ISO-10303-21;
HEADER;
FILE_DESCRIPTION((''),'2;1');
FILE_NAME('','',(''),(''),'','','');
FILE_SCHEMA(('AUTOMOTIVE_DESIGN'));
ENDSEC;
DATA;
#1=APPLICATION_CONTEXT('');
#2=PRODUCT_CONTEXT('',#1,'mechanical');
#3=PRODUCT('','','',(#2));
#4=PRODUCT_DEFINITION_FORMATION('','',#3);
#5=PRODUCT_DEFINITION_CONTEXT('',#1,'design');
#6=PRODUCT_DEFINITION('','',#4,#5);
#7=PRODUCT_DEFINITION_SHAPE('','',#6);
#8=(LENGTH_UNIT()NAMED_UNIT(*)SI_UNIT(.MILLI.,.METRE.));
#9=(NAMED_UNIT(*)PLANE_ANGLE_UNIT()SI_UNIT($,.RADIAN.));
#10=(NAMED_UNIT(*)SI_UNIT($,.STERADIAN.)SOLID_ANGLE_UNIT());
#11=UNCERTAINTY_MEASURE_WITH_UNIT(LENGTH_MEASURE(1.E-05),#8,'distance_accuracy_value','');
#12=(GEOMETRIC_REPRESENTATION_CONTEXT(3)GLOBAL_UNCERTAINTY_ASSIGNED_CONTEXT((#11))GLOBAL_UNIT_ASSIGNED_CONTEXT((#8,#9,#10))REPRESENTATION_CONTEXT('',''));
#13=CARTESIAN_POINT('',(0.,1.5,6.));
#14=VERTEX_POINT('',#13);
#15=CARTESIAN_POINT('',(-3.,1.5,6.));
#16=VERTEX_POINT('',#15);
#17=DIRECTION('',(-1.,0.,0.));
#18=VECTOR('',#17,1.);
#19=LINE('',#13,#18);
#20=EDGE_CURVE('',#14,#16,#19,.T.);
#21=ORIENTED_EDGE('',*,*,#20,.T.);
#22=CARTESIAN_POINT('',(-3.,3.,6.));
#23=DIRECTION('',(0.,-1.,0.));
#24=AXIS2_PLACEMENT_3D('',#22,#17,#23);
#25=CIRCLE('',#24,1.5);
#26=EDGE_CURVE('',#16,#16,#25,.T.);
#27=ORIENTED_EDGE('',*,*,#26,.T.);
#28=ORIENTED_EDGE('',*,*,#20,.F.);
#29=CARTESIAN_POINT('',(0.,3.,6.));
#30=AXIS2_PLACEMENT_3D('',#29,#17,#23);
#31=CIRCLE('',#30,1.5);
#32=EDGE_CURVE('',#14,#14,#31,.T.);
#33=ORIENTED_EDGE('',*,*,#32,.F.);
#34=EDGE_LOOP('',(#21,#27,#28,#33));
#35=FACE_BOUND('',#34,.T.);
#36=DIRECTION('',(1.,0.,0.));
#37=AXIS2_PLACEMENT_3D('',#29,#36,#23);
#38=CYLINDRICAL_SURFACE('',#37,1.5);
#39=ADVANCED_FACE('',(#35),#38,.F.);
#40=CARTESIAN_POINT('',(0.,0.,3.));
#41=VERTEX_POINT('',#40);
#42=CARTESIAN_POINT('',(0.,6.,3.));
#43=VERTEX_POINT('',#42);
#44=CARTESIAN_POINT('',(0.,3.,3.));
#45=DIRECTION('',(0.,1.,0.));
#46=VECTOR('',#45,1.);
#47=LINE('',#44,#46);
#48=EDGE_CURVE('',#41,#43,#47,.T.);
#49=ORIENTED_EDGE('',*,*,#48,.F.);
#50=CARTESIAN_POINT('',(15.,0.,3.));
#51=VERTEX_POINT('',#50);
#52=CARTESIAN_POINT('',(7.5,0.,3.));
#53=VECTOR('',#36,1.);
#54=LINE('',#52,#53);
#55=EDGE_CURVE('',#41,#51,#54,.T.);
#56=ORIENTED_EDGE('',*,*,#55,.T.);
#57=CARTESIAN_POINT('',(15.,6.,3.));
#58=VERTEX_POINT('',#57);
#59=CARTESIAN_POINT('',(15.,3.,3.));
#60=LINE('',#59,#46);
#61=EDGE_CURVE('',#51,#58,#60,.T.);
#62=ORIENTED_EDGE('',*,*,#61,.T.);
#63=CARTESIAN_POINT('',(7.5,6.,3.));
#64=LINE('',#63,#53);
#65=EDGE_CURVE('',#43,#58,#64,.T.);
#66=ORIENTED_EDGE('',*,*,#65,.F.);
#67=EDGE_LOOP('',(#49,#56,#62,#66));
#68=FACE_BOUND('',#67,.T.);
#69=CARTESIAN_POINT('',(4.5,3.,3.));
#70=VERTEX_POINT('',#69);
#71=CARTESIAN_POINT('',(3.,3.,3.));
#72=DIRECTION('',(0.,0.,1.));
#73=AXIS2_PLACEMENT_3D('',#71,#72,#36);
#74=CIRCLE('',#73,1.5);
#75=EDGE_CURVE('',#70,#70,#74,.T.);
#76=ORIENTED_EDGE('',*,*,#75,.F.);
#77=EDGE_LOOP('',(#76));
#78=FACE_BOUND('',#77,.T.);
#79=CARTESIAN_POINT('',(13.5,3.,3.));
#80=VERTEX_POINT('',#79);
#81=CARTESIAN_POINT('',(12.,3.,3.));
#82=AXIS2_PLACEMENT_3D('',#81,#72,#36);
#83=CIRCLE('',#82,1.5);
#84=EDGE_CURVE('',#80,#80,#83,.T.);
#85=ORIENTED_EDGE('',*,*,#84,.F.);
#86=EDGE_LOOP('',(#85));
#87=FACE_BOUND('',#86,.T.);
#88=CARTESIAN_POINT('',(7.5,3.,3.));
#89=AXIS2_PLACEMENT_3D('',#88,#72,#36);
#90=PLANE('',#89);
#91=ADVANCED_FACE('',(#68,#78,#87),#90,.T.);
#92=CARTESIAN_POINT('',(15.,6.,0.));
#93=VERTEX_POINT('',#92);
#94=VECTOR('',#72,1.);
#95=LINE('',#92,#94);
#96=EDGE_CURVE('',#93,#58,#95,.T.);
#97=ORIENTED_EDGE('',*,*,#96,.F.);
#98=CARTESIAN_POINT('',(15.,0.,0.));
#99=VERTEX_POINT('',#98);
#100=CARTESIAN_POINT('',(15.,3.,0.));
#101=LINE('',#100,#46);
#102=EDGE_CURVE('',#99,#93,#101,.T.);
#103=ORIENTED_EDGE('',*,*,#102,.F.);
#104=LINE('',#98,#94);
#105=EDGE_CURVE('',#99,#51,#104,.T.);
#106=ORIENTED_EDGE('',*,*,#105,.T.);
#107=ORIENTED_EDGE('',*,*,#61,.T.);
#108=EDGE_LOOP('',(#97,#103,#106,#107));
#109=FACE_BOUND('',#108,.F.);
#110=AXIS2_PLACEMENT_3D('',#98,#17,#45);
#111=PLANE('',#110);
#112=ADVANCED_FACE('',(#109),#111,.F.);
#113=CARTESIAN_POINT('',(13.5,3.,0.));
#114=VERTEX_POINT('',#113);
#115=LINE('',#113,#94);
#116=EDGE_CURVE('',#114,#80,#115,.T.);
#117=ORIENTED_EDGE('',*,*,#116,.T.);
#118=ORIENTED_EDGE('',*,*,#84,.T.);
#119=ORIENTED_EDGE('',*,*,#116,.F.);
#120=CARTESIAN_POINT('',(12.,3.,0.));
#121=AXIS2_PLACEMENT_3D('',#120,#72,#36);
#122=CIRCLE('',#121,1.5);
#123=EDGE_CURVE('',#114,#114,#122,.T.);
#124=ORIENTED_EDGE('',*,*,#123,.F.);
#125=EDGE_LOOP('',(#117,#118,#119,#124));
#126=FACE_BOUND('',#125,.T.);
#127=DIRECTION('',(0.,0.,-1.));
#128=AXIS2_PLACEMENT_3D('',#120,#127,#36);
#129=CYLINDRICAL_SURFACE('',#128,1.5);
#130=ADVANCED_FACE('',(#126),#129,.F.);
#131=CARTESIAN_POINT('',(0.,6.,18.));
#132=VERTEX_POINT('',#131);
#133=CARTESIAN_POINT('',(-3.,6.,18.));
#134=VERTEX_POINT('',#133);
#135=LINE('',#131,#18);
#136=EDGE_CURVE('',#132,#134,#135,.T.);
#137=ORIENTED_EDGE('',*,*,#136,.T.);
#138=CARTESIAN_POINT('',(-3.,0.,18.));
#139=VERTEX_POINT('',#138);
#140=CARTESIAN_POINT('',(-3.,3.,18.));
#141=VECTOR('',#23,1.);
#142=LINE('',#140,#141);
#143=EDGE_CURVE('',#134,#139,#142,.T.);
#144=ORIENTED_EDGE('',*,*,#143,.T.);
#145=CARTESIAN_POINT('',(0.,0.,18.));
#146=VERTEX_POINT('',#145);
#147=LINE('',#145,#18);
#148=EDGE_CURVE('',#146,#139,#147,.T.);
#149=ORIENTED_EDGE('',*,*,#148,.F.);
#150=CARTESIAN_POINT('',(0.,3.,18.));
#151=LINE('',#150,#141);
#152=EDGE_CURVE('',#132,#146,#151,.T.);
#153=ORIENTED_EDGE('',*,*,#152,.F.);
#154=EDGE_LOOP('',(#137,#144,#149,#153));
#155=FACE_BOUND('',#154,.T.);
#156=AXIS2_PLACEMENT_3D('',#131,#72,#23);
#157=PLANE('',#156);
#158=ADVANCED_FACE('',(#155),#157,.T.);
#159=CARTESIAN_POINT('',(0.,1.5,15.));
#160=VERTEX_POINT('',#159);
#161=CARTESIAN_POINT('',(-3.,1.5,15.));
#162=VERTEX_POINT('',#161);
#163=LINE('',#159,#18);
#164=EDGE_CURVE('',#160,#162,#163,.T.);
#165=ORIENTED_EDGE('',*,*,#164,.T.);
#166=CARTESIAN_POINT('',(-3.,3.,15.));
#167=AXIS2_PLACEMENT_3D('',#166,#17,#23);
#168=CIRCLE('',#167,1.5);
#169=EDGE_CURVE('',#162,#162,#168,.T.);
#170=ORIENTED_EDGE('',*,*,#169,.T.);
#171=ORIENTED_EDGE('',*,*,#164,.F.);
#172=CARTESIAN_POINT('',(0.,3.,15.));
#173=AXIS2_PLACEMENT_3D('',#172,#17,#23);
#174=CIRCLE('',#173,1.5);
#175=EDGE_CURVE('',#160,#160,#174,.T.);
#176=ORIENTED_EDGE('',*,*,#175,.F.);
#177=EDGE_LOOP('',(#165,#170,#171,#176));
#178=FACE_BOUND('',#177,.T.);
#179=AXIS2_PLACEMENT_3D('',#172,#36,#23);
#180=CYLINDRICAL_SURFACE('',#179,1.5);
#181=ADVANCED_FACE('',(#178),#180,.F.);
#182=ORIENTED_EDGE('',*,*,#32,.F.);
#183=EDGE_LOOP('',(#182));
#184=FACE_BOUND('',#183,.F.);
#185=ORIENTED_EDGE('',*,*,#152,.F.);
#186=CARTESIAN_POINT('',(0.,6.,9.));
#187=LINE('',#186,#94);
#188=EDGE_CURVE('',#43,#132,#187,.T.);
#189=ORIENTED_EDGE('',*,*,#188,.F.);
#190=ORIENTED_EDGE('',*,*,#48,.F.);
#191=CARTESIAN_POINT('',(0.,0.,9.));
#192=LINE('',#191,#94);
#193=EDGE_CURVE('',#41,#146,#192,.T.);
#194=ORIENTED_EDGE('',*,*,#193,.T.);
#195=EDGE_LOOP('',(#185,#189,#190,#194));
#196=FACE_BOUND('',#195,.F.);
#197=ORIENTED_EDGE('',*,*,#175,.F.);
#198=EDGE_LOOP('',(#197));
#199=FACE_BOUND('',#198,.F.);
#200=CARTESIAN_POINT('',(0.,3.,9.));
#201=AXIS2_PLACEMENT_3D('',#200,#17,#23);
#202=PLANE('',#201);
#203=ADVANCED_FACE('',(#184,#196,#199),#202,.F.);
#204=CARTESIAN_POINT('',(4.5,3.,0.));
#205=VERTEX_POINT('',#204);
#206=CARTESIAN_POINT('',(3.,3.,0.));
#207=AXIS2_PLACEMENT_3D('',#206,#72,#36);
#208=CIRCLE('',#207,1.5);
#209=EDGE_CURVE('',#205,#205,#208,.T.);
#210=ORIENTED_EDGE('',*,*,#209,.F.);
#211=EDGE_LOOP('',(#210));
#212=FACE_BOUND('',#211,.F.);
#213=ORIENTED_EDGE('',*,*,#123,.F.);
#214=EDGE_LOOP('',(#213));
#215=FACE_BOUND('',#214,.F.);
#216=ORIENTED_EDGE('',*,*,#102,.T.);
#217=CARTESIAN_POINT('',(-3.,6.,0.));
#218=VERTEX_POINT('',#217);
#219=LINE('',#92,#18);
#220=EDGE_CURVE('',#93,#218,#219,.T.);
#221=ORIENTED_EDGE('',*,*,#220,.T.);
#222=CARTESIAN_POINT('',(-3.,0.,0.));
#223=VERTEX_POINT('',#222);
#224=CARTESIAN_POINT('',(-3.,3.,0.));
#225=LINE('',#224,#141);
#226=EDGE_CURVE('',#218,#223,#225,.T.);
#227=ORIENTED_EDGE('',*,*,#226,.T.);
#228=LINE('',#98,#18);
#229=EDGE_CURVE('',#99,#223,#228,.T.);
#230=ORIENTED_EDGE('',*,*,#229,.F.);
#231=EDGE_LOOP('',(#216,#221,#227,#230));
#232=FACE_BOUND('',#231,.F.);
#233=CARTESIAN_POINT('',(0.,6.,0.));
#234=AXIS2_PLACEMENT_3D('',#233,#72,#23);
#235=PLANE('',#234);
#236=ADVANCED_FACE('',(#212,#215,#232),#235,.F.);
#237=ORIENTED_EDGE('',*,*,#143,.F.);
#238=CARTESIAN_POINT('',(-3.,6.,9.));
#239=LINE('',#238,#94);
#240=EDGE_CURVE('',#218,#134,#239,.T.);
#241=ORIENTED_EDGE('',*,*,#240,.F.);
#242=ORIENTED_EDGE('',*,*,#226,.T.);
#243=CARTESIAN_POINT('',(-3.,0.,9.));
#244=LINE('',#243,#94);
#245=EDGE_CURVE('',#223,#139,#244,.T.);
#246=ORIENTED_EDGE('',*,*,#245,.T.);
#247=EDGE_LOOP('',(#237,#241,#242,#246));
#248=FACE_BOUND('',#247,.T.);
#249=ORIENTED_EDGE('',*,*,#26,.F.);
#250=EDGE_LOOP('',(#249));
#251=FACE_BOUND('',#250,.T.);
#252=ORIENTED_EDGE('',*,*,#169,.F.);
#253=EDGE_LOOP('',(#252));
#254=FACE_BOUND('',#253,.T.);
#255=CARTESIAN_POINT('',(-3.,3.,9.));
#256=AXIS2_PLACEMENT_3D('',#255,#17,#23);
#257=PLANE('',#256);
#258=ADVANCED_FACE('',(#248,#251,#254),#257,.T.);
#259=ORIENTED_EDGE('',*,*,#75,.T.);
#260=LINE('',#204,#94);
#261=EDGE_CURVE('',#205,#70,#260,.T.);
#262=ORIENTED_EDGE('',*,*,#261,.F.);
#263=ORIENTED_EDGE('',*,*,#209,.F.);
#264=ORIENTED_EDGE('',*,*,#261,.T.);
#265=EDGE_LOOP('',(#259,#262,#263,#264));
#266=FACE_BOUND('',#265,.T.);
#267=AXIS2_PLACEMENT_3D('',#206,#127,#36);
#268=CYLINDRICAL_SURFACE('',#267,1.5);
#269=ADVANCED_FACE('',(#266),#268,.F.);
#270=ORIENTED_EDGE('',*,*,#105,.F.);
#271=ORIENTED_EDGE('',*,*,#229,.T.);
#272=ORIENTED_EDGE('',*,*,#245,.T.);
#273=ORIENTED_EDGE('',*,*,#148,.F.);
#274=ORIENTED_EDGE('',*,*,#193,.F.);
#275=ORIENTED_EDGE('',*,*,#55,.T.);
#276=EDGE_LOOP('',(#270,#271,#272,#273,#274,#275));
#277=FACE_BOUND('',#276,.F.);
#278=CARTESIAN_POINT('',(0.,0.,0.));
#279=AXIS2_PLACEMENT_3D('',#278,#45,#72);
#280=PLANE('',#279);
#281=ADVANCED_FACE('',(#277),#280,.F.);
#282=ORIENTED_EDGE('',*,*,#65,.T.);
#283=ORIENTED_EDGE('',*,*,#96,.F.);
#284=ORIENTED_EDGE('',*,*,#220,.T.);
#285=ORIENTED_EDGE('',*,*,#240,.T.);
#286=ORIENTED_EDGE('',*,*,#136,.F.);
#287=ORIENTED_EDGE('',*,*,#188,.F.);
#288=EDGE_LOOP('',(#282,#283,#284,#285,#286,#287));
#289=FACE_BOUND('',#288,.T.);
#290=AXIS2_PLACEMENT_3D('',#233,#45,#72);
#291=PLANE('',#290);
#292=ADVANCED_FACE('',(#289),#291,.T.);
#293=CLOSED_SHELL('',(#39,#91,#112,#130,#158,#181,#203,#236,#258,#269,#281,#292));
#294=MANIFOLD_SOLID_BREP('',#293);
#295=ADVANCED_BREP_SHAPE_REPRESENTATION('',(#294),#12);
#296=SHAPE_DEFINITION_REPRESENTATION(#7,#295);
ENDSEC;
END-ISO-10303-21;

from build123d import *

# Parameters (mm, degrees)
SKETCH_W     = 15
SKETCH_H     = 6
SKETCH_R     = 1.5
PAD_DEPTH    = 3
SKETCH001_W  = 6
SKETCH001_H  = 18
SKETCH001_R  = 1.5
PAD001_DEPTH = 3


with BuildPart() as part:
    # Sketch → Pad (new body)
    with BuildSketch(Plane.XY):
        with Locations((7.5, 3)):
            Rectangle(SKETCH_W, SKETCH_H)
        with Locations((3, 3)):
            Circle(SKETCH_R, mode=Mode.SUBTRACT)
        with Locations((12, 3)):
            Circle(SKETCH_R, mode=Mode.SUBTRACT)
    extrude(amount=PAD_DEPTH)

    # Sketch001 → Pad001 (new body)
    with BuildSketch(Plane(origin=(0, 0, 0), x_dir=(0, -1, 0), z_dir=(-1, 0, 0))):
        with Locations((-3, 9)):
            Rectangle(SKETCH001_W, SKETCH001_H)
        with Locations((-3, 6)):
            Circle(SKETCH001_R, mode=Mode.SUBTRACT)
        with Locations((-3, 15)):
            Circle(SKETCH001_R, mode=Mode.SUBTRACT)
    extrude(amount=PAD001_DEPTH)


solid = part.part
